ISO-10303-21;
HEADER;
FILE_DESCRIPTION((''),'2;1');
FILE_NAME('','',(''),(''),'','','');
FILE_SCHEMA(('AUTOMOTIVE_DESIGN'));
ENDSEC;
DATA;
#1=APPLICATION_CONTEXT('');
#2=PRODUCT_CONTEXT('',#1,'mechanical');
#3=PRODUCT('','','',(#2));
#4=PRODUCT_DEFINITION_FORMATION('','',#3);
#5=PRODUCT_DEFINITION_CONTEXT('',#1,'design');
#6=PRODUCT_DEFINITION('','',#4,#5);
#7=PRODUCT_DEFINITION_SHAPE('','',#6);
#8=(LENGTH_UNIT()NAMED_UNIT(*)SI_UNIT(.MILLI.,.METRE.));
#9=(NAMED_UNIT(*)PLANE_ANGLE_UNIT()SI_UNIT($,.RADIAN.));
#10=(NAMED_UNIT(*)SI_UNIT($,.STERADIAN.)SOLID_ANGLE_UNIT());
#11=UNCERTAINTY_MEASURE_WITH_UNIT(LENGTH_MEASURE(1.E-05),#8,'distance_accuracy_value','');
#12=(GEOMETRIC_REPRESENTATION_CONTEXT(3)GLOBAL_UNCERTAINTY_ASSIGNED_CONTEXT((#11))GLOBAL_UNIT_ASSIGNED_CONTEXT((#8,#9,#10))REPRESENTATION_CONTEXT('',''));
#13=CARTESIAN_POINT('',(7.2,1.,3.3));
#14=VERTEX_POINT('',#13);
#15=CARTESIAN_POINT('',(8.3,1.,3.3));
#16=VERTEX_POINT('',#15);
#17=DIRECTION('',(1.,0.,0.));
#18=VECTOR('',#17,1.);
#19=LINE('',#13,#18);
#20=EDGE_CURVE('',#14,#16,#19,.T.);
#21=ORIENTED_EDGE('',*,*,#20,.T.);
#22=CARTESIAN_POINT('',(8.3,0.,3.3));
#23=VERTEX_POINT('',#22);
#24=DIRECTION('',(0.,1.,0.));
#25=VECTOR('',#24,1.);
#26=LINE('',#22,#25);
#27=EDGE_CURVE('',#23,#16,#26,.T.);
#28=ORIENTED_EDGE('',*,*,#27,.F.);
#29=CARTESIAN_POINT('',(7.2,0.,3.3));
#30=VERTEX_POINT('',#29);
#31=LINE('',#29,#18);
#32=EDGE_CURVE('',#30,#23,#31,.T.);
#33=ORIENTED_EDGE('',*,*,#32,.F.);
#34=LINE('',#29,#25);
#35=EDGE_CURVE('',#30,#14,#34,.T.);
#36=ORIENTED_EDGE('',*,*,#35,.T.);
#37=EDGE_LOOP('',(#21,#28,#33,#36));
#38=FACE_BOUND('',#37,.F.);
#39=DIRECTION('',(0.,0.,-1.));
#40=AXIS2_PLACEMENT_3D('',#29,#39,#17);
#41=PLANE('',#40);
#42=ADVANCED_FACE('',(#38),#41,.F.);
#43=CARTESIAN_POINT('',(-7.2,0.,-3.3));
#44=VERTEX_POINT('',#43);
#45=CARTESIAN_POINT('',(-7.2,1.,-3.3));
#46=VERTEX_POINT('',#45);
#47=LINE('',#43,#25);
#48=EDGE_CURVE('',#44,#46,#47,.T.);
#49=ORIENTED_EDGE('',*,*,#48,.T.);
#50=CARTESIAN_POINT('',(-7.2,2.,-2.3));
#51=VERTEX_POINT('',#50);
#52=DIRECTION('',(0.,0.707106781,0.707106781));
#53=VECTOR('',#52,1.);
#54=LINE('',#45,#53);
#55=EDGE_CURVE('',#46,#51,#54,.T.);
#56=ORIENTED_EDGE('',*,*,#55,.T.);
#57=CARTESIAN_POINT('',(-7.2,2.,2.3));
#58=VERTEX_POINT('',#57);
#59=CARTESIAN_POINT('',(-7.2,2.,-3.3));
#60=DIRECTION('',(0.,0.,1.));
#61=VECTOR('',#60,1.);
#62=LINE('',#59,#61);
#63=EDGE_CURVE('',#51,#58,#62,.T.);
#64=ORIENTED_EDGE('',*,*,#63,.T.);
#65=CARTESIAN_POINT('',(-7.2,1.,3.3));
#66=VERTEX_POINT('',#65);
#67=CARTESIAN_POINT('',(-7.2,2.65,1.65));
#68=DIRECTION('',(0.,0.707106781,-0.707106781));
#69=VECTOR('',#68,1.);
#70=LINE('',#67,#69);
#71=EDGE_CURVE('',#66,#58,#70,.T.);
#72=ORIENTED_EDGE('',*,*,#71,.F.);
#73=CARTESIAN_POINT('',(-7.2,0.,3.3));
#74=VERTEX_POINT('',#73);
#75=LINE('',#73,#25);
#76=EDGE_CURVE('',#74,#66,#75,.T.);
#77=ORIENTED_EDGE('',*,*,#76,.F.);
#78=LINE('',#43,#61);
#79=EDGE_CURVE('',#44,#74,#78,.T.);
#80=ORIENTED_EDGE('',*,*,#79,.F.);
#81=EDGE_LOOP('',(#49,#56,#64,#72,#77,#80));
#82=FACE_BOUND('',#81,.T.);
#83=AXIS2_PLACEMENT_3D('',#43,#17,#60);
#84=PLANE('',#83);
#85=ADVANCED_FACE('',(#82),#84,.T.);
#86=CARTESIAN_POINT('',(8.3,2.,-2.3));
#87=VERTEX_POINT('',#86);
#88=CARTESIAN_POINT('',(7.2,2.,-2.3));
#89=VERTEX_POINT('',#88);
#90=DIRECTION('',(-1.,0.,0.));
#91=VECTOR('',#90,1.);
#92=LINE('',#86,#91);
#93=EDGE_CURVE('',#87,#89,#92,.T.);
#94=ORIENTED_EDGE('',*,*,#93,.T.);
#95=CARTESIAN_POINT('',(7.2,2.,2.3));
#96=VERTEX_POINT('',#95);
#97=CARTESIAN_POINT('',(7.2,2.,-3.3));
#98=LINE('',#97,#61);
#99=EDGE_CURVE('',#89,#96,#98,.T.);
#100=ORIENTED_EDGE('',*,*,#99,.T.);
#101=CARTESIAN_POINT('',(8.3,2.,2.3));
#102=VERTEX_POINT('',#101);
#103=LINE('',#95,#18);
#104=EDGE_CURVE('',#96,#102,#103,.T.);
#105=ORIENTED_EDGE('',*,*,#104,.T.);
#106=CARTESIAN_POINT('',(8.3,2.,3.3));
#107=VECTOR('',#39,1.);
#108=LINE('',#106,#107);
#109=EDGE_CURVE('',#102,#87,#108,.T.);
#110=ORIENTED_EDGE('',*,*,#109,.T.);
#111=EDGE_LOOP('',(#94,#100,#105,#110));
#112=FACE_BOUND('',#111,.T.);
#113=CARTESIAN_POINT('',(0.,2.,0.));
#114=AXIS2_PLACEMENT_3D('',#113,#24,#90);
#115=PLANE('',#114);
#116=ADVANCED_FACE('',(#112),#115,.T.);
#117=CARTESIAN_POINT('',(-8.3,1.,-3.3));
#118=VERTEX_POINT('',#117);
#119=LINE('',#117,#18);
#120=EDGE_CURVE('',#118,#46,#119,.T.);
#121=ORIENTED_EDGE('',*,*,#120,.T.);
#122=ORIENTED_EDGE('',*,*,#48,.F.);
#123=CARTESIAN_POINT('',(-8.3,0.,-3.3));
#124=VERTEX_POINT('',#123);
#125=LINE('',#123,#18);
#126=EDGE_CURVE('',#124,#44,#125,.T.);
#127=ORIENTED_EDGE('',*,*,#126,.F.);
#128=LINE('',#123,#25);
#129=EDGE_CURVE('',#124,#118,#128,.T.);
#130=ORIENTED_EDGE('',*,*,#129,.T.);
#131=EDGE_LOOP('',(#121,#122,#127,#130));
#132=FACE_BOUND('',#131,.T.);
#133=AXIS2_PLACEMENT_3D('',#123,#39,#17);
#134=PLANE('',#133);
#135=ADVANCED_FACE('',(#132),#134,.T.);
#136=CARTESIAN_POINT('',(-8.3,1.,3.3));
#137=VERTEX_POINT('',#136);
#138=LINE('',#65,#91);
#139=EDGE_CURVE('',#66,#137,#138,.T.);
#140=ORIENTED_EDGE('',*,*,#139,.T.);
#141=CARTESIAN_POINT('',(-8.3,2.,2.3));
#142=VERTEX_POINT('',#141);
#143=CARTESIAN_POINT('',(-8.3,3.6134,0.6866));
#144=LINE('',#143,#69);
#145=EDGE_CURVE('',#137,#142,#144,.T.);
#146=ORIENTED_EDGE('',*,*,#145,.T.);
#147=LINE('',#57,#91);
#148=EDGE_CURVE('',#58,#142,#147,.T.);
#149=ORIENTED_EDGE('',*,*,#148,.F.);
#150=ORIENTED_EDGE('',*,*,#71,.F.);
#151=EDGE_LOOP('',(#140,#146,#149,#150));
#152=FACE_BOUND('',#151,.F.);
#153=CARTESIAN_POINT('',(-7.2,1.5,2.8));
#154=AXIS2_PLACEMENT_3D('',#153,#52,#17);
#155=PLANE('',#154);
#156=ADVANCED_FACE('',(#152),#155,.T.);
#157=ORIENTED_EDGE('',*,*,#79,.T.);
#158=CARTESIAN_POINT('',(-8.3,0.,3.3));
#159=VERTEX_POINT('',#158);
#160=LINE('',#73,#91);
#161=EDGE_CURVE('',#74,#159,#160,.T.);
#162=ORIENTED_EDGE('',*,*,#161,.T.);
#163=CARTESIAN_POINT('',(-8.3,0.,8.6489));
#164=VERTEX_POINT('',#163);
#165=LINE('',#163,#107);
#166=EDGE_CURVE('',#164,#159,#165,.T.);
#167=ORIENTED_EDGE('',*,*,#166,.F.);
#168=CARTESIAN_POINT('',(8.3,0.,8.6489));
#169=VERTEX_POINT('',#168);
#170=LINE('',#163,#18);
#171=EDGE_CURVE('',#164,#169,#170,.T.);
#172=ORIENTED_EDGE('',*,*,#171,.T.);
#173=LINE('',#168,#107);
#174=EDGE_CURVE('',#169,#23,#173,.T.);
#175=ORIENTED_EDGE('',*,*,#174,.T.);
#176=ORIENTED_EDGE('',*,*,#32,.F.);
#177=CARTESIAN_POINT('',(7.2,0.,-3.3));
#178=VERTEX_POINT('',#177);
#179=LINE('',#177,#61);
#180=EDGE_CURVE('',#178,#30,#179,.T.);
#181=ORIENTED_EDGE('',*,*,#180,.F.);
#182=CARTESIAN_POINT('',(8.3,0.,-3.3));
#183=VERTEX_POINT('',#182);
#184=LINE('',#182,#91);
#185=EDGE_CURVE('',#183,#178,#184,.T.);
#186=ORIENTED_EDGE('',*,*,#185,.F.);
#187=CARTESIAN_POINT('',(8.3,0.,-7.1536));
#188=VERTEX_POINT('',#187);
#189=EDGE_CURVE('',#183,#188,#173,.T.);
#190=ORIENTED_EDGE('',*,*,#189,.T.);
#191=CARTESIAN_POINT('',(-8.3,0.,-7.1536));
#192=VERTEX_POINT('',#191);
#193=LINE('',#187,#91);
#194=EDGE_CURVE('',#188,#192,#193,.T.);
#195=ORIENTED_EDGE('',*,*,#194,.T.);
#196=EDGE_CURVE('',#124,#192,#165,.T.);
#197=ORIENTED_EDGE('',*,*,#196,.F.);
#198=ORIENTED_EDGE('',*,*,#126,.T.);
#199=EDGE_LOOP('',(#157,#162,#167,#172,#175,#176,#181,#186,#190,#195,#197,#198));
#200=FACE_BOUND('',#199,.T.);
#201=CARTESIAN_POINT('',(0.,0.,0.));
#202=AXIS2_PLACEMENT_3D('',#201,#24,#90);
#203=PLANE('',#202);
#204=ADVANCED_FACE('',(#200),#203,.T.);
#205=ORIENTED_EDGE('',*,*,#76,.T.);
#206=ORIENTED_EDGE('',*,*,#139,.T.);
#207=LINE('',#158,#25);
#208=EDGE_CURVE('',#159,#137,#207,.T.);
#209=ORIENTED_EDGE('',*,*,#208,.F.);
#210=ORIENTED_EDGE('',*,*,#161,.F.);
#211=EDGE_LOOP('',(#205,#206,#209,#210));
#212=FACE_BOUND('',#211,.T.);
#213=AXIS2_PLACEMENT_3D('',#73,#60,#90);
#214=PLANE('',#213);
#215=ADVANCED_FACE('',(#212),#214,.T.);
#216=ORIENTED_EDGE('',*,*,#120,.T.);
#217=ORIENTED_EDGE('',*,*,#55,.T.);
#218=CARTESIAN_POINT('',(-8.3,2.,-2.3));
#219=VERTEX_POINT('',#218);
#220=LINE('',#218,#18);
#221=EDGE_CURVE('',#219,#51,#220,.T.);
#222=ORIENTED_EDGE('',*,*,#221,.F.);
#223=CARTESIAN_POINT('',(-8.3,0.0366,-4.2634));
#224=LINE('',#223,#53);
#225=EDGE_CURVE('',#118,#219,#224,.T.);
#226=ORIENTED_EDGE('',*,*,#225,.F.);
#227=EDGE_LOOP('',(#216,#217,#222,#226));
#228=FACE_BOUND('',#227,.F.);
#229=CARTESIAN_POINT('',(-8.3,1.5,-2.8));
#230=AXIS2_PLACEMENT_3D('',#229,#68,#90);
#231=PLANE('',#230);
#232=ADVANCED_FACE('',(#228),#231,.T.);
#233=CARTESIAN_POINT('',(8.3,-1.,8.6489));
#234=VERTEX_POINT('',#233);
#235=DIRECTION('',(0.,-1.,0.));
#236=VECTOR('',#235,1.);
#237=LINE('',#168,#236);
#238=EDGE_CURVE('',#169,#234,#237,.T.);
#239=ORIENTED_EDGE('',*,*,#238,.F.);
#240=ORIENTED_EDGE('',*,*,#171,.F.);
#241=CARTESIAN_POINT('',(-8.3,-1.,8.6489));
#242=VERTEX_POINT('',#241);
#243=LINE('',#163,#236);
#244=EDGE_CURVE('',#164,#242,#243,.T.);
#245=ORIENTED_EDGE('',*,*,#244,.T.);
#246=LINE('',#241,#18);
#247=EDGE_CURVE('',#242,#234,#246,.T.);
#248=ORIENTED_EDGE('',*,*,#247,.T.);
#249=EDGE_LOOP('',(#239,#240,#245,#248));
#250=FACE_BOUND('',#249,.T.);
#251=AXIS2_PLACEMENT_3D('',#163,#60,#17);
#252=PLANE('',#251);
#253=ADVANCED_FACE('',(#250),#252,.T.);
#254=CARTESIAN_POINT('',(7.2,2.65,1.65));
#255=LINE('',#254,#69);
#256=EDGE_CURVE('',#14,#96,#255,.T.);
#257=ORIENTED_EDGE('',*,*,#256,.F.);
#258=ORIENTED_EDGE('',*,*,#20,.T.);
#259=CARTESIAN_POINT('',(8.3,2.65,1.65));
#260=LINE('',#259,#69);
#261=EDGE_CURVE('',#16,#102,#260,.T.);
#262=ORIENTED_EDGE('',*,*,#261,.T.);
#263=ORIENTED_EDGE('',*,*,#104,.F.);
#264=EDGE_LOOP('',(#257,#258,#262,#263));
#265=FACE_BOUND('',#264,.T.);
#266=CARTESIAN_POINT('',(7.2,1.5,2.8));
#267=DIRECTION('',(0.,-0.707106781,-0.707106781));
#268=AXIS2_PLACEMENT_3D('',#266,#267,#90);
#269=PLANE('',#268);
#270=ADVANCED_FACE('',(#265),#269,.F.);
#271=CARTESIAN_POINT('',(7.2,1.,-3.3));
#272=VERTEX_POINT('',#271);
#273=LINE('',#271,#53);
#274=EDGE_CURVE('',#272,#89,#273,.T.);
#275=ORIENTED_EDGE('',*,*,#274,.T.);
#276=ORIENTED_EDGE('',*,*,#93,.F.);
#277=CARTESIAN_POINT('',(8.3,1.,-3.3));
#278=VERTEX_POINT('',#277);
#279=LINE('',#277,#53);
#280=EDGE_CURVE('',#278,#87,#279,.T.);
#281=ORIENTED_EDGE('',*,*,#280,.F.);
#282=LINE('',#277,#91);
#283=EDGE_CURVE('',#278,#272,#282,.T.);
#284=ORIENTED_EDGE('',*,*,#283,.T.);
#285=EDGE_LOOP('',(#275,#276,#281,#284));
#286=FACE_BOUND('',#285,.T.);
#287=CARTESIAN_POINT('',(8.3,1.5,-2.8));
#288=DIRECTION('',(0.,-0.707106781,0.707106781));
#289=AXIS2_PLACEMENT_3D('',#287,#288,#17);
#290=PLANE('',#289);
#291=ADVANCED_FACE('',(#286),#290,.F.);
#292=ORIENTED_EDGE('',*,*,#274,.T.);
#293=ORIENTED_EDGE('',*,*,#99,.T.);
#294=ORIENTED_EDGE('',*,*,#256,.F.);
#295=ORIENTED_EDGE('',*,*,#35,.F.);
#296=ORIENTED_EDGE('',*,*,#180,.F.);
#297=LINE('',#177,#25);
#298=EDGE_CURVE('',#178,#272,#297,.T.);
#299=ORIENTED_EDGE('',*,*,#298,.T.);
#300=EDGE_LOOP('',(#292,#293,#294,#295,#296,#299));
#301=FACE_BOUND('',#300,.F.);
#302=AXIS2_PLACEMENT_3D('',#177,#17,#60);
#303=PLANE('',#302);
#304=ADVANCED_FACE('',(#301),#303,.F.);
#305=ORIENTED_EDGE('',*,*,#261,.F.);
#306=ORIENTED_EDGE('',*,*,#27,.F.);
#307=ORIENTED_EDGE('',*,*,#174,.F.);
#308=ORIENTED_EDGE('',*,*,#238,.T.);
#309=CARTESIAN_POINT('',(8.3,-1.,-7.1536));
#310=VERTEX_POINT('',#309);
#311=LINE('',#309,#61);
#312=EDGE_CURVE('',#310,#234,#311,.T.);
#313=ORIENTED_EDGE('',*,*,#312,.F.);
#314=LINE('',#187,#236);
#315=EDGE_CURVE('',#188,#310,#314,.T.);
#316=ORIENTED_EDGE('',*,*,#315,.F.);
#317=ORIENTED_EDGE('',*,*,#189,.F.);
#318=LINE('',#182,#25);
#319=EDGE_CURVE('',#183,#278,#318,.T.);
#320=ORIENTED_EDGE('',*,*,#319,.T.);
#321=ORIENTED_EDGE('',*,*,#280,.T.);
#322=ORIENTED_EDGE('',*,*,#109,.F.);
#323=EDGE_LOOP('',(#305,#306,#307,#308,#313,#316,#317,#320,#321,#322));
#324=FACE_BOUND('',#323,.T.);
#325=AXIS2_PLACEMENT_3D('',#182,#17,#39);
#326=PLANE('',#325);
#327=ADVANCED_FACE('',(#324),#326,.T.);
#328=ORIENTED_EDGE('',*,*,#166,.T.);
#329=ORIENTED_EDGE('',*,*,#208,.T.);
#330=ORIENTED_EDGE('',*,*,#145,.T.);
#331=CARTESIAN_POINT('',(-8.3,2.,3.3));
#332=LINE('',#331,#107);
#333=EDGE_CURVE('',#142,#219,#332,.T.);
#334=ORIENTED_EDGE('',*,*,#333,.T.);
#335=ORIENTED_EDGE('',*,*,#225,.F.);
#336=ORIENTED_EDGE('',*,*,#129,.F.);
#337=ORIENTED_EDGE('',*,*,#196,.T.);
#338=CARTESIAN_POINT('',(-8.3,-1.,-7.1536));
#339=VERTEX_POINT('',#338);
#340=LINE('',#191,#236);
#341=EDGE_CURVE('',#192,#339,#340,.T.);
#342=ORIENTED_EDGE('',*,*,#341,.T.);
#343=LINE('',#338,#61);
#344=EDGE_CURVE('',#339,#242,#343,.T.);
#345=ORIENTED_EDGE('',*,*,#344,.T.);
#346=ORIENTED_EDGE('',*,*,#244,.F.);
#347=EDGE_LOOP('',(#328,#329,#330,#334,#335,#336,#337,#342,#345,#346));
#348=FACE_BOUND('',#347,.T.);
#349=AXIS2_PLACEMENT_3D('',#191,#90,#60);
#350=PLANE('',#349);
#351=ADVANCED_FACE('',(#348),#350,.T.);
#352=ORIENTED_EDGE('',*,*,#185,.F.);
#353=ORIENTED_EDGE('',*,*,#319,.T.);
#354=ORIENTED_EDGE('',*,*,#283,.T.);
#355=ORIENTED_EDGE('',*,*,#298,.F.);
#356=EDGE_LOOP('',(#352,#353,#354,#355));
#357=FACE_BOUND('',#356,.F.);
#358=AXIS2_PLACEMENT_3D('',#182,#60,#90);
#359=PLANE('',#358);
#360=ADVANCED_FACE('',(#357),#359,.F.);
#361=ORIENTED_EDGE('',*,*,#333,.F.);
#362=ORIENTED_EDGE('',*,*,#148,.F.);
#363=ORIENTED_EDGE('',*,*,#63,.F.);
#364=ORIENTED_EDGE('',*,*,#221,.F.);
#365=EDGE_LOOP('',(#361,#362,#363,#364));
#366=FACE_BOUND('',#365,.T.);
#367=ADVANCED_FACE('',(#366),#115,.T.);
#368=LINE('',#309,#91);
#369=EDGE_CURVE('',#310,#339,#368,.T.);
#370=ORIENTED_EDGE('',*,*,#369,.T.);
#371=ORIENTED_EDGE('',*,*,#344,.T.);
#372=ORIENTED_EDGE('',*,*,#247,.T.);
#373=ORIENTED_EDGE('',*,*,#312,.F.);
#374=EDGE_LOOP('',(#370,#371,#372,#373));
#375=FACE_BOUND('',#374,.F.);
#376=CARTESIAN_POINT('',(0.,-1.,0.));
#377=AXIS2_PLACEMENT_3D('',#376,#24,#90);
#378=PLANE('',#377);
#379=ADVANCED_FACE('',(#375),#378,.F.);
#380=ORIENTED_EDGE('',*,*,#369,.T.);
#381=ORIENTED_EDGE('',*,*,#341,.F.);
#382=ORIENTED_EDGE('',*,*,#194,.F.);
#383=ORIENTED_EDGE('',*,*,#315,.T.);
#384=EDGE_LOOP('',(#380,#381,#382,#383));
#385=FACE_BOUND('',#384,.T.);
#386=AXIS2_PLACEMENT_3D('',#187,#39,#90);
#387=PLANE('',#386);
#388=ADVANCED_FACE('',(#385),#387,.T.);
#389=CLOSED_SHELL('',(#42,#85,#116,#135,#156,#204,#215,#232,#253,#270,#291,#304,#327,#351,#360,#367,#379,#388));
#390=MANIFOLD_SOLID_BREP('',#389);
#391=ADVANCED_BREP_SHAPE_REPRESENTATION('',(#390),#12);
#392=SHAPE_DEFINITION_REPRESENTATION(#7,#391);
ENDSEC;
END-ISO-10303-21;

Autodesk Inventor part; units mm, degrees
ref_plane "YZ Plane" through (0, 0, 0) normal (1, 0, 0) x (0, 1, 0)
ref_plane "XZ Plane" through (0, 0, 0) normal (0, 1, 0) x (-1, 0, 0)
ref_plane "XY Plane" through (0, 0, 0) normal (0, 0, 1) x (1, 0, 0)
sketch "Boceto1" plane through (0, 0, 0) normal (0, 1, 0) x (-1, 0, 0)
  line L0 (-7, 3.5) -> (-8.5, 3.5)
  line L1 (-7, -3.5) -> (-7, 3.5)
  line L2 (-8.5, -3.5) -> (-7, -3.5)
  line L3 (-8.5, -3.5) -> (-8.5, -7.3536)
  line L4 (-8.5, -7.3536) -> (8.5, -7.3536)
  line L5 (8.5, -7.3536) -> (8.5, -3.5)
  line L6 (7, -3.5) -> (8.5, -3.5)
  line L7 (7, 3.5) -> (7, -3.5)
  line L8 (8.5, 3.5) -> (7, 3.5)
  line L9 (8.5, 3.5) -> (8.5, 8.8489)
  line L10 (-8.5, 8.8489) -> (8.5, 8.8489)
  line L11 (-8.5, 8.8489) -> (-8.5, 3.5)
  circle A0 centre (0, 0) radius 5.5
  point P0 (-1.5892, 6.097)
  point P1 (-7, 0)
  dimension "d26" = 16.2026
  dimension "d27" = 17
  dimension "d28" = 5.3489
  dimension "d29" = 7
  dimension "d30" = 11
  dimension "d31" = 8.8489
  dimension "d32" = 8.5
  dimension "d34" = 1.5
  dimension "d35" = 1.5
sketch "Boceto2" plane through (0, 0, 0) normal (0, 1, 0) x (-1, 0, 0)
  line L0 (8.5, 3.5) -> (7, 3.5) construction
  line L1 (7, 3.5) -> (7, -3.5) construction
  line L2 (7, -3.5) -> (8.5, -3.5) construction
  line L3 (-7, 3.5) -> (-8.5, 3.5) construction
  line L4 (-7, -3.5) -> (-7, 3.5) construction
  line L5 (-8.5, -3.5) -> (-7, -3.5) construction
  line L6 (-8.5, -3.5) -> (-8.5, -7.3536) construction
  line L7 (-8.5, 8.8489) -> (-8.5, 3.5) construction
  line L8 (8.5, 3.5) -> (8.5, 8.8489) construction
  line L9 (8.5, -7.3536) -> (8.5, -3.5) construction
  line L10 (7, 3.5) -> (8.5, 3.5) construction
  line L11 (8.5, 3.5) -> (8.5, -3.5) construction
  line L12 (8.5, -3.5) -> (7, -3.5) construction
  line L13 (7, -3.5) -> (7, 3.5) construction
  line L14 (-8.5, 3.5) -> (-7, 3.5) construction
  line L15 (-7, 3.5) -> (-7, -3.5) construction
  line L16 (-7, -3.5) -> (-8.5, -3.5) construction
  line L17 (-8.5, -3.5) -> (-8.5, 3.5) construction
  line L18 (7.2, 3.3) -> (8.3, 3.3)
  line L19 (8.3, 3.3) -> (8.3, -3.3)
  line L20 (8.3, -3.3) -> (7.2, -3.3)
  line L21 (7.2, -3.3) -> (7.2, 3.3)
  line L22 (8.5, 8.8489) -> (-8.5, 8.8489)
  line L23 (-8.5, 8.8489) -> (-8.5, -7.3536)
  line L24 (-8.5, -7.3536) -> (8.5, -7.3536)
  line L25 (8.5, -7.3536) -> (8.5, 8.8489)
  line L26 (0, 0) -> (0, -2.5786) construction
  line L27 (-7.2, 3.3) -> (-8.3, 3.3)
  line L28 (-8.3, 3.3) -> (-8.3, -3.3)
  line L29 (-8.3, -3.3) -> (-7.2, -3.3)
  line L30 (-7.2, -3.3) -> (-7.2, 3.3)
  line L31 (8.3, 8.6489) -> (-8.3, 8.6489)
  line L32 (-8.3, 8.6489) -> (-8.3, -7.1536)
  line L33 (-8.3, -7.1536) -> (8.3, -7.1536)
  line L34 (8.3, -7.1536) -> (8.3, 8.6489)
  dimension "d36" = 0.2
  dimension "d41" = 0.2
extrude "Extrusión1" add sketch "Boceto2" against normal blind 1 contours L21 L20 L34 L33 L32 L29 L30 L27 L31 L18 | L18 L19 L20 L21 | L27 L30 L29 L28
extrude "Extrusión2" add sketch "Boceto2" along normal blind 2 contours L18 L19 L20 L21 | L27 L30 L29 L28
chamfer "Chaflán1" distance 1 angle 45 4 edges at (-7.75, 2, 3.3) (-7.75, 2, -3.3) (7.75, 2, 3.3) (7.75, 2, -3.3)
equation "\"d35\" = d34"
properties part number "tapita"
